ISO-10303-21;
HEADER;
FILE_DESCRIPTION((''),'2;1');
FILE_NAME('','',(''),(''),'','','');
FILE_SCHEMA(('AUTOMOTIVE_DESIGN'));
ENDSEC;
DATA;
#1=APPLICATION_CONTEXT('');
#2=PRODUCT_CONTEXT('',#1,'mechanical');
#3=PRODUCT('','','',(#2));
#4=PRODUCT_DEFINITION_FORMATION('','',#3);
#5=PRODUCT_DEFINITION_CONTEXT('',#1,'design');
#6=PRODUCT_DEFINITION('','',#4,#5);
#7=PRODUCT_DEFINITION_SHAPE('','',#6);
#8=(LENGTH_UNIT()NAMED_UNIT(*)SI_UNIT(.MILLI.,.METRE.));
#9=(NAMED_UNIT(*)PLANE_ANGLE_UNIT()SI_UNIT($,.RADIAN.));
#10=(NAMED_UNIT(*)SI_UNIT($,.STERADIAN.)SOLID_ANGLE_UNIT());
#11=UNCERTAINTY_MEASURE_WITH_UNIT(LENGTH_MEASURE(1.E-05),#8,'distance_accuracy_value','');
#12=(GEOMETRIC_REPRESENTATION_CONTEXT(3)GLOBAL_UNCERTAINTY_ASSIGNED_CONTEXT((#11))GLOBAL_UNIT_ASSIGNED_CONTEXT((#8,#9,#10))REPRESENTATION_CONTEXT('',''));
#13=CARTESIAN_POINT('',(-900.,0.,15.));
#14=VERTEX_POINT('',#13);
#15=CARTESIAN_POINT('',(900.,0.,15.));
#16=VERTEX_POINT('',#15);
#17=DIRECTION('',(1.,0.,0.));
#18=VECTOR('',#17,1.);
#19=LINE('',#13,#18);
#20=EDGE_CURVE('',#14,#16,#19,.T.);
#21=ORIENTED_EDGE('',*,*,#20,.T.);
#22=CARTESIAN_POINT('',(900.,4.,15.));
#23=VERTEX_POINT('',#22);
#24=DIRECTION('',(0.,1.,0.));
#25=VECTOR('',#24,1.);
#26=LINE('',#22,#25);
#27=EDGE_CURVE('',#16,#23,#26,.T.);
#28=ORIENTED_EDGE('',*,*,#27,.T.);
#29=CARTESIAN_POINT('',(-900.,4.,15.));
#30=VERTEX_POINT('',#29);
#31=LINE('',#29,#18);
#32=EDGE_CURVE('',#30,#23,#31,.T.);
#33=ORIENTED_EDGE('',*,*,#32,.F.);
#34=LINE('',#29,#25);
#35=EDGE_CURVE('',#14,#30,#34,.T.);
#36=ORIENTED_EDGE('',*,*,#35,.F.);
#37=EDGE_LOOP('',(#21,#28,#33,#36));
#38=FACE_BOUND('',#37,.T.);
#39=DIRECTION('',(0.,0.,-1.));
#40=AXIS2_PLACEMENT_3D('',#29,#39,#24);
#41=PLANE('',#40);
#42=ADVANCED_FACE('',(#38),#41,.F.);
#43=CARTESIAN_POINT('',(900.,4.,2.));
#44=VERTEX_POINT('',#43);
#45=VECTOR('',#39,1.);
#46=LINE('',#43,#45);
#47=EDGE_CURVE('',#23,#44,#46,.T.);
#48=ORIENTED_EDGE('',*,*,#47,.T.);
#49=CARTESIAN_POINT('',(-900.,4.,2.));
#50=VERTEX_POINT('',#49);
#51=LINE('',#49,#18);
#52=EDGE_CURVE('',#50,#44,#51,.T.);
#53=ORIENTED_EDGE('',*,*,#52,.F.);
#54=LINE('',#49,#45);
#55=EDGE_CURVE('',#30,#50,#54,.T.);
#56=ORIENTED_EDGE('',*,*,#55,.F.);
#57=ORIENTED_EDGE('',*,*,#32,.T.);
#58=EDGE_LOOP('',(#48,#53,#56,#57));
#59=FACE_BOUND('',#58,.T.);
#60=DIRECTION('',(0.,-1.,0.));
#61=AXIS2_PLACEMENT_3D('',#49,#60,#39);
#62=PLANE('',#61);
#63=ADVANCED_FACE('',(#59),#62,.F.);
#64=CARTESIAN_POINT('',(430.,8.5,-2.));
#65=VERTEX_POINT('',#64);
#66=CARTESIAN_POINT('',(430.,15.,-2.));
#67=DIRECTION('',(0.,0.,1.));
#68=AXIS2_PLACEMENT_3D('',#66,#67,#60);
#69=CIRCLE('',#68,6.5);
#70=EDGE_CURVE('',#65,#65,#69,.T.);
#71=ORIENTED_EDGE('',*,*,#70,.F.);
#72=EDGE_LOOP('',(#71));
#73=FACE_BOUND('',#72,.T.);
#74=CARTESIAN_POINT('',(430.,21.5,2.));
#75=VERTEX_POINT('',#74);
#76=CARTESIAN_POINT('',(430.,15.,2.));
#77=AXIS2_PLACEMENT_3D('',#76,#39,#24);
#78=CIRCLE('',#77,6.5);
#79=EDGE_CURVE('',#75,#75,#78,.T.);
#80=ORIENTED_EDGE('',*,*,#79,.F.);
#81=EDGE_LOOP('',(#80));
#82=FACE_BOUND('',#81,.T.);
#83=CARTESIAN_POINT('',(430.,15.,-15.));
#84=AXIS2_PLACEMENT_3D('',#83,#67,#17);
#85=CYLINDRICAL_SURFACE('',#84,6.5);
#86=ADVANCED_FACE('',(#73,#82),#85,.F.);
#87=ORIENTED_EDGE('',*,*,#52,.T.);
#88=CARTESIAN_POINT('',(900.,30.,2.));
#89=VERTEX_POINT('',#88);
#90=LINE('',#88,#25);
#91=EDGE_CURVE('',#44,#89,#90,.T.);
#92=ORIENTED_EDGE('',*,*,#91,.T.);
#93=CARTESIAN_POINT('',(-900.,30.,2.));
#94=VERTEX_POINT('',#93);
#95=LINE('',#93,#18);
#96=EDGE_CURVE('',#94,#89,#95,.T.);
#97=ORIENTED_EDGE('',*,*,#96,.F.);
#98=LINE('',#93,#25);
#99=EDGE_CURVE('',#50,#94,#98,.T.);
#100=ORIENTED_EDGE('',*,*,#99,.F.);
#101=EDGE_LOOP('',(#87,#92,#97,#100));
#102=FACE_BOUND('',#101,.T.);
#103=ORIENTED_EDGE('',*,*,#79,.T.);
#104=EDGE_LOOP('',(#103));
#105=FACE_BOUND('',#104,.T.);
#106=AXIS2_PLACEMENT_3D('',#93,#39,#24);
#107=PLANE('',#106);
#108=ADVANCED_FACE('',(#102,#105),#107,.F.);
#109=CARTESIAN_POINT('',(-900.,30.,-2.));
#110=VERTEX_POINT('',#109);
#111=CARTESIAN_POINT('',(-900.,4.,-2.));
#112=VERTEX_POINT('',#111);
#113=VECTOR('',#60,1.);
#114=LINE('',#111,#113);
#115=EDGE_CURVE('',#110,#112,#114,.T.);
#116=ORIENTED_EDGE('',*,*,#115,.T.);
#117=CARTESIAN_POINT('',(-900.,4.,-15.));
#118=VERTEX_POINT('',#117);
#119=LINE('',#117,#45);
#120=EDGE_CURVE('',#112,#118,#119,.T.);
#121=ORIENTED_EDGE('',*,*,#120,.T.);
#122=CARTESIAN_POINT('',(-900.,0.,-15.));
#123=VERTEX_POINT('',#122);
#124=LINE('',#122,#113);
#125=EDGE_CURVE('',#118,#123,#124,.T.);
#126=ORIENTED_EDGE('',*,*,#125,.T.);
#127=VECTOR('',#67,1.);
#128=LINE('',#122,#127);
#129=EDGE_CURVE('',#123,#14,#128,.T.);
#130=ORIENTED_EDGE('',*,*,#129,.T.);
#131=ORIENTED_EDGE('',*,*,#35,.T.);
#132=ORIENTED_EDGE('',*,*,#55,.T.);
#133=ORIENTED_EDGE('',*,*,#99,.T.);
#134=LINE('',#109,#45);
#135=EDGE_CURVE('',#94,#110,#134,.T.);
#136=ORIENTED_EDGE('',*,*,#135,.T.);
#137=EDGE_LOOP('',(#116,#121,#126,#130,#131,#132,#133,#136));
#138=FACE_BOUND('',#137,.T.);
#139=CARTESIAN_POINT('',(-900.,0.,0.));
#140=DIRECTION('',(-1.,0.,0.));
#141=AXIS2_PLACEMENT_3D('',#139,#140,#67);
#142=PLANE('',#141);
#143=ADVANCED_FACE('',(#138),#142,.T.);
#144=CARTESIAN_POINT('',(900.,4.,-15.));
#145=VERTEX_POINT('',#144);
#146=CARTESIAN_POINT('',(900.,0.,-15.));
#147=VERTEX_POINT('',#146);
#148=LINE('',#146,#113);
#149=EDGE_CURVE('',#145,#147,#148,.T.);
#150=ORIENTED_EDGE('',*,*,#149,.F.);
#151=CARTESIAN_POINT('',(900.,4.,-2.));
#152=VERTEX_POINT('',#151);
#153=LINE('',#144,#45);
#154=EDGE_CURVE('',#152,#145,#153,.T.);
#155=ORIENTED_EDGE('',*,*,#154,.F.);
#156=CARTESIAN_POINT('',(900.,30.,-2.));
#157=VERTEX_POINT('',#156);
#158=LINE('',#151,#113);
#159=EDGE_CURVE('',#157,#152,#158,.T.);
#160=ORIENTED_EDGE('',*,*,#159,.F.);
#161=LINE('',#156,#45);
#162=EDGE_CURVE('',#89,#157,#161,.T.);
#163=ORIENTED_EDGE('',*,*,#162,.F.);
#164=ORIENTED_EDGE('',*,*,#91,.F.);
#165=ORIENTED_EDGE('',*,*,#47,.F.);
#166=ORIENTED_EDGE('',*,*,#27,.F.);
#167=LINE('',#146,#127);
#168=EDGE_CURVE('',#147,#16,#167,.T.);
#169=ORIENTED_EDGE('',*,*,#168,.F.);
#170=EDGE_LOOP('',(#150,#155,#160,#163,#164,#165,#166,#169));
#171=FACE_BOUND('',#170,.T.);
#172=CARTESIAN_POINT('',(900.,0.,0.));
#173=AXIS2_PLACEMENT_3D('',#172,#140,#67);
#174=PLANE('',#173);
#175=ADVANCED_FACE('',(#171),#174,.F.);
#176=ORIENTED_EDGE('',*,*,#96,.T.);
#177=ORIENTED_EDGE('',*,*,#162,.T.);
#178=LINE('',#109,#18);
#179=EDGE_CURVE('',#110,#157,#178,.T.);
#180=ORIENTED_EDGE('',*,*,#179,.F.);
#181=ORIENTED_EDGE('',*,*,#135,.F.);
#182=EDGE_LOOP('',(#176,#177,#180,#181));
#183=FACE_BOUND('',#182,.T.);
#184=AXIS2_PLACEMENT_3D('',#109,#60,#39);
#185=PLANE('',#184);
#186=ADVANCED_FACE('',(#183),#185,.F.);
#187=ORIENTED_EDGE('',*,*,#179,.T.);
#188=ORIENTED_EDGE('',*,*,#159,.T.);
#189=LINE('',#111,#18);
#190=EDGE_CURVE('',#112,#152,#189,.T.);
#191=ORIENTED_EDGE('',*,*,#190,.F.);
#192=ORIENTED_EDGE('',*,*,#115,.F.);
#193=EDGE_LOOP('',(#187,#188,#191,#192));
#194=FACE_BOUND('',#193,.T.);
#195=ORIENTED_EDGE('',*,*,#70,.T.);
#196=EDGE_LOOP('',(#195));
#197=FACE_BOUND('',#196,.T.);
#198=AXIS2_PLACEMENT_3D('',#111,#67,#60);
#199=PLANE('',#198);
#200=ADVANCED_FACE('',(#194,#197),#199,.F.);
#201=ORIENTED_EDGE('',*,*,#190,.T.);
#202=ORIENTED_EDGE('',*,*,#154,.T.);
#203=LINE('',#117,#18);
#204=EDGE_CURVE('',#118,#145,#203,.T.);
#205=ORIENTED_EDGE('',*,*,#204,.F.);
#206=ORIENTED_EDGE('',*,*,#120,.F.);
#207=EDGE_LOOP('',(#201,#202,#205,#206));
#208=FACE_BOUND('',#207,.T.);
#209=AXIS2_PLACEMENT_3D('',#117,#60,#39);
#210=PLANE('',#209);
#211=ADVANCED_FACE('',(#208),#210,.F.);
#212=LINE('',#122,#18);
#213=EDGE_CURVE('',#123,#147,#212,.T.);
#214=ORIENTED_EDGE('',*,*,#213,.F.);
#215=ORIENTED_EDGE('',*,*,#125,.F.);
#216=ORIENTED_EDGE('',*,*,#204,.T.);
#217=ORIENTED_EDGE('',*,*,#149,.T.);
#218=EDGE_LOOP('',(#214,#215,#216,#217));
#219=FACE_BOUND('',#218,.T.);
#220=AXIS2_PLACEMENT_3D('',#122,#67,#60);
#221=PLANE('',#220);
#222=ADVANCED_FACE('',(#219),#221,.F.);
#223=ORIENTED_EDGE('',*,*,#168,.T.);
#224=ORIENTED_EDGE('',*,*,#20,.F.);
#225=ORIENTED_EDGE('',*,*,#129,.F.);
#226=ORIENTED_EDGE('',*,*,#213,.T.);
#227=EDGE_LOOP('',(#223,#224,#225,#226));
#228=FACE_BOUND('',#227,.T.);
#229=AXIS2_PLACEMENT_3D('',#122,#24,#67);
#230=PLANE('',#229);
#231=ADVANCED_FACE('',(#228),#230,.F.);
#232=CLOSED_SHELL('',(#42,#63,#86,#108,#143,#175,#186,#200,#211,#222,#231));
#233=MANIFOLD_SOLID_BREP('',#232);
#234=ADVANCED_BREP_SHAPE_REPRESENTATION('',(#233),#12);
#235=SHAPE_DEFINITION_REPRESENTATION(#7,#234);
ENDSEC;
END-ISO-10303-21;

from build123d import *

# Parameters (mm, degrees)
CUSTOM_TE_30X30X4_1_DEPTH    = 1800
ENL_V_MAT_EXTRU_4_DEPTH      = 1332.925298206
ENL_V_MAT_EXTRU_4_DEPTH_BACK = 1332.925298206
ESQUISSE15_R                 = 6.5


with BuildPart() as part:
    # Esquisse11 → Custom TE_30X30X4(1) (new body)
    with BuildSketch(Plane.ZY.offset(-900)):
        Polygon((-15, 0), (15, 0), (15, 4), (2, 4), (2, 30), (-2, 30), (-2, 4), (-15, 4), align=None)
    extrude(amount=CUSTOM_TE_30X30X4_1_DEPTH)

    # Esquisse15 → Enlèv. mat.-Extru.4 (cut, two sides: drawn at the far end of the back side and taken through both)
    with BuildSketch(Plane(origin=(430, 0, 50), x_dir=(1, 0, 0), z_dir=(0, 0, 1)).offset(-ENL_V_MAT_EXTRU_4_DEPTH_BACK)):
        with Locations(Location((0, 15, 0), (0, 0, 270))):
            Circle(ESQUISSE15_R)
    extrude(amount=ENL_V_MAT_EXTRU_4_DEPTH + ENL_V_MAT_EXTRU_4_DEPTH_BACK, mode=Mode.SUBTRACT)


solid = part.part
